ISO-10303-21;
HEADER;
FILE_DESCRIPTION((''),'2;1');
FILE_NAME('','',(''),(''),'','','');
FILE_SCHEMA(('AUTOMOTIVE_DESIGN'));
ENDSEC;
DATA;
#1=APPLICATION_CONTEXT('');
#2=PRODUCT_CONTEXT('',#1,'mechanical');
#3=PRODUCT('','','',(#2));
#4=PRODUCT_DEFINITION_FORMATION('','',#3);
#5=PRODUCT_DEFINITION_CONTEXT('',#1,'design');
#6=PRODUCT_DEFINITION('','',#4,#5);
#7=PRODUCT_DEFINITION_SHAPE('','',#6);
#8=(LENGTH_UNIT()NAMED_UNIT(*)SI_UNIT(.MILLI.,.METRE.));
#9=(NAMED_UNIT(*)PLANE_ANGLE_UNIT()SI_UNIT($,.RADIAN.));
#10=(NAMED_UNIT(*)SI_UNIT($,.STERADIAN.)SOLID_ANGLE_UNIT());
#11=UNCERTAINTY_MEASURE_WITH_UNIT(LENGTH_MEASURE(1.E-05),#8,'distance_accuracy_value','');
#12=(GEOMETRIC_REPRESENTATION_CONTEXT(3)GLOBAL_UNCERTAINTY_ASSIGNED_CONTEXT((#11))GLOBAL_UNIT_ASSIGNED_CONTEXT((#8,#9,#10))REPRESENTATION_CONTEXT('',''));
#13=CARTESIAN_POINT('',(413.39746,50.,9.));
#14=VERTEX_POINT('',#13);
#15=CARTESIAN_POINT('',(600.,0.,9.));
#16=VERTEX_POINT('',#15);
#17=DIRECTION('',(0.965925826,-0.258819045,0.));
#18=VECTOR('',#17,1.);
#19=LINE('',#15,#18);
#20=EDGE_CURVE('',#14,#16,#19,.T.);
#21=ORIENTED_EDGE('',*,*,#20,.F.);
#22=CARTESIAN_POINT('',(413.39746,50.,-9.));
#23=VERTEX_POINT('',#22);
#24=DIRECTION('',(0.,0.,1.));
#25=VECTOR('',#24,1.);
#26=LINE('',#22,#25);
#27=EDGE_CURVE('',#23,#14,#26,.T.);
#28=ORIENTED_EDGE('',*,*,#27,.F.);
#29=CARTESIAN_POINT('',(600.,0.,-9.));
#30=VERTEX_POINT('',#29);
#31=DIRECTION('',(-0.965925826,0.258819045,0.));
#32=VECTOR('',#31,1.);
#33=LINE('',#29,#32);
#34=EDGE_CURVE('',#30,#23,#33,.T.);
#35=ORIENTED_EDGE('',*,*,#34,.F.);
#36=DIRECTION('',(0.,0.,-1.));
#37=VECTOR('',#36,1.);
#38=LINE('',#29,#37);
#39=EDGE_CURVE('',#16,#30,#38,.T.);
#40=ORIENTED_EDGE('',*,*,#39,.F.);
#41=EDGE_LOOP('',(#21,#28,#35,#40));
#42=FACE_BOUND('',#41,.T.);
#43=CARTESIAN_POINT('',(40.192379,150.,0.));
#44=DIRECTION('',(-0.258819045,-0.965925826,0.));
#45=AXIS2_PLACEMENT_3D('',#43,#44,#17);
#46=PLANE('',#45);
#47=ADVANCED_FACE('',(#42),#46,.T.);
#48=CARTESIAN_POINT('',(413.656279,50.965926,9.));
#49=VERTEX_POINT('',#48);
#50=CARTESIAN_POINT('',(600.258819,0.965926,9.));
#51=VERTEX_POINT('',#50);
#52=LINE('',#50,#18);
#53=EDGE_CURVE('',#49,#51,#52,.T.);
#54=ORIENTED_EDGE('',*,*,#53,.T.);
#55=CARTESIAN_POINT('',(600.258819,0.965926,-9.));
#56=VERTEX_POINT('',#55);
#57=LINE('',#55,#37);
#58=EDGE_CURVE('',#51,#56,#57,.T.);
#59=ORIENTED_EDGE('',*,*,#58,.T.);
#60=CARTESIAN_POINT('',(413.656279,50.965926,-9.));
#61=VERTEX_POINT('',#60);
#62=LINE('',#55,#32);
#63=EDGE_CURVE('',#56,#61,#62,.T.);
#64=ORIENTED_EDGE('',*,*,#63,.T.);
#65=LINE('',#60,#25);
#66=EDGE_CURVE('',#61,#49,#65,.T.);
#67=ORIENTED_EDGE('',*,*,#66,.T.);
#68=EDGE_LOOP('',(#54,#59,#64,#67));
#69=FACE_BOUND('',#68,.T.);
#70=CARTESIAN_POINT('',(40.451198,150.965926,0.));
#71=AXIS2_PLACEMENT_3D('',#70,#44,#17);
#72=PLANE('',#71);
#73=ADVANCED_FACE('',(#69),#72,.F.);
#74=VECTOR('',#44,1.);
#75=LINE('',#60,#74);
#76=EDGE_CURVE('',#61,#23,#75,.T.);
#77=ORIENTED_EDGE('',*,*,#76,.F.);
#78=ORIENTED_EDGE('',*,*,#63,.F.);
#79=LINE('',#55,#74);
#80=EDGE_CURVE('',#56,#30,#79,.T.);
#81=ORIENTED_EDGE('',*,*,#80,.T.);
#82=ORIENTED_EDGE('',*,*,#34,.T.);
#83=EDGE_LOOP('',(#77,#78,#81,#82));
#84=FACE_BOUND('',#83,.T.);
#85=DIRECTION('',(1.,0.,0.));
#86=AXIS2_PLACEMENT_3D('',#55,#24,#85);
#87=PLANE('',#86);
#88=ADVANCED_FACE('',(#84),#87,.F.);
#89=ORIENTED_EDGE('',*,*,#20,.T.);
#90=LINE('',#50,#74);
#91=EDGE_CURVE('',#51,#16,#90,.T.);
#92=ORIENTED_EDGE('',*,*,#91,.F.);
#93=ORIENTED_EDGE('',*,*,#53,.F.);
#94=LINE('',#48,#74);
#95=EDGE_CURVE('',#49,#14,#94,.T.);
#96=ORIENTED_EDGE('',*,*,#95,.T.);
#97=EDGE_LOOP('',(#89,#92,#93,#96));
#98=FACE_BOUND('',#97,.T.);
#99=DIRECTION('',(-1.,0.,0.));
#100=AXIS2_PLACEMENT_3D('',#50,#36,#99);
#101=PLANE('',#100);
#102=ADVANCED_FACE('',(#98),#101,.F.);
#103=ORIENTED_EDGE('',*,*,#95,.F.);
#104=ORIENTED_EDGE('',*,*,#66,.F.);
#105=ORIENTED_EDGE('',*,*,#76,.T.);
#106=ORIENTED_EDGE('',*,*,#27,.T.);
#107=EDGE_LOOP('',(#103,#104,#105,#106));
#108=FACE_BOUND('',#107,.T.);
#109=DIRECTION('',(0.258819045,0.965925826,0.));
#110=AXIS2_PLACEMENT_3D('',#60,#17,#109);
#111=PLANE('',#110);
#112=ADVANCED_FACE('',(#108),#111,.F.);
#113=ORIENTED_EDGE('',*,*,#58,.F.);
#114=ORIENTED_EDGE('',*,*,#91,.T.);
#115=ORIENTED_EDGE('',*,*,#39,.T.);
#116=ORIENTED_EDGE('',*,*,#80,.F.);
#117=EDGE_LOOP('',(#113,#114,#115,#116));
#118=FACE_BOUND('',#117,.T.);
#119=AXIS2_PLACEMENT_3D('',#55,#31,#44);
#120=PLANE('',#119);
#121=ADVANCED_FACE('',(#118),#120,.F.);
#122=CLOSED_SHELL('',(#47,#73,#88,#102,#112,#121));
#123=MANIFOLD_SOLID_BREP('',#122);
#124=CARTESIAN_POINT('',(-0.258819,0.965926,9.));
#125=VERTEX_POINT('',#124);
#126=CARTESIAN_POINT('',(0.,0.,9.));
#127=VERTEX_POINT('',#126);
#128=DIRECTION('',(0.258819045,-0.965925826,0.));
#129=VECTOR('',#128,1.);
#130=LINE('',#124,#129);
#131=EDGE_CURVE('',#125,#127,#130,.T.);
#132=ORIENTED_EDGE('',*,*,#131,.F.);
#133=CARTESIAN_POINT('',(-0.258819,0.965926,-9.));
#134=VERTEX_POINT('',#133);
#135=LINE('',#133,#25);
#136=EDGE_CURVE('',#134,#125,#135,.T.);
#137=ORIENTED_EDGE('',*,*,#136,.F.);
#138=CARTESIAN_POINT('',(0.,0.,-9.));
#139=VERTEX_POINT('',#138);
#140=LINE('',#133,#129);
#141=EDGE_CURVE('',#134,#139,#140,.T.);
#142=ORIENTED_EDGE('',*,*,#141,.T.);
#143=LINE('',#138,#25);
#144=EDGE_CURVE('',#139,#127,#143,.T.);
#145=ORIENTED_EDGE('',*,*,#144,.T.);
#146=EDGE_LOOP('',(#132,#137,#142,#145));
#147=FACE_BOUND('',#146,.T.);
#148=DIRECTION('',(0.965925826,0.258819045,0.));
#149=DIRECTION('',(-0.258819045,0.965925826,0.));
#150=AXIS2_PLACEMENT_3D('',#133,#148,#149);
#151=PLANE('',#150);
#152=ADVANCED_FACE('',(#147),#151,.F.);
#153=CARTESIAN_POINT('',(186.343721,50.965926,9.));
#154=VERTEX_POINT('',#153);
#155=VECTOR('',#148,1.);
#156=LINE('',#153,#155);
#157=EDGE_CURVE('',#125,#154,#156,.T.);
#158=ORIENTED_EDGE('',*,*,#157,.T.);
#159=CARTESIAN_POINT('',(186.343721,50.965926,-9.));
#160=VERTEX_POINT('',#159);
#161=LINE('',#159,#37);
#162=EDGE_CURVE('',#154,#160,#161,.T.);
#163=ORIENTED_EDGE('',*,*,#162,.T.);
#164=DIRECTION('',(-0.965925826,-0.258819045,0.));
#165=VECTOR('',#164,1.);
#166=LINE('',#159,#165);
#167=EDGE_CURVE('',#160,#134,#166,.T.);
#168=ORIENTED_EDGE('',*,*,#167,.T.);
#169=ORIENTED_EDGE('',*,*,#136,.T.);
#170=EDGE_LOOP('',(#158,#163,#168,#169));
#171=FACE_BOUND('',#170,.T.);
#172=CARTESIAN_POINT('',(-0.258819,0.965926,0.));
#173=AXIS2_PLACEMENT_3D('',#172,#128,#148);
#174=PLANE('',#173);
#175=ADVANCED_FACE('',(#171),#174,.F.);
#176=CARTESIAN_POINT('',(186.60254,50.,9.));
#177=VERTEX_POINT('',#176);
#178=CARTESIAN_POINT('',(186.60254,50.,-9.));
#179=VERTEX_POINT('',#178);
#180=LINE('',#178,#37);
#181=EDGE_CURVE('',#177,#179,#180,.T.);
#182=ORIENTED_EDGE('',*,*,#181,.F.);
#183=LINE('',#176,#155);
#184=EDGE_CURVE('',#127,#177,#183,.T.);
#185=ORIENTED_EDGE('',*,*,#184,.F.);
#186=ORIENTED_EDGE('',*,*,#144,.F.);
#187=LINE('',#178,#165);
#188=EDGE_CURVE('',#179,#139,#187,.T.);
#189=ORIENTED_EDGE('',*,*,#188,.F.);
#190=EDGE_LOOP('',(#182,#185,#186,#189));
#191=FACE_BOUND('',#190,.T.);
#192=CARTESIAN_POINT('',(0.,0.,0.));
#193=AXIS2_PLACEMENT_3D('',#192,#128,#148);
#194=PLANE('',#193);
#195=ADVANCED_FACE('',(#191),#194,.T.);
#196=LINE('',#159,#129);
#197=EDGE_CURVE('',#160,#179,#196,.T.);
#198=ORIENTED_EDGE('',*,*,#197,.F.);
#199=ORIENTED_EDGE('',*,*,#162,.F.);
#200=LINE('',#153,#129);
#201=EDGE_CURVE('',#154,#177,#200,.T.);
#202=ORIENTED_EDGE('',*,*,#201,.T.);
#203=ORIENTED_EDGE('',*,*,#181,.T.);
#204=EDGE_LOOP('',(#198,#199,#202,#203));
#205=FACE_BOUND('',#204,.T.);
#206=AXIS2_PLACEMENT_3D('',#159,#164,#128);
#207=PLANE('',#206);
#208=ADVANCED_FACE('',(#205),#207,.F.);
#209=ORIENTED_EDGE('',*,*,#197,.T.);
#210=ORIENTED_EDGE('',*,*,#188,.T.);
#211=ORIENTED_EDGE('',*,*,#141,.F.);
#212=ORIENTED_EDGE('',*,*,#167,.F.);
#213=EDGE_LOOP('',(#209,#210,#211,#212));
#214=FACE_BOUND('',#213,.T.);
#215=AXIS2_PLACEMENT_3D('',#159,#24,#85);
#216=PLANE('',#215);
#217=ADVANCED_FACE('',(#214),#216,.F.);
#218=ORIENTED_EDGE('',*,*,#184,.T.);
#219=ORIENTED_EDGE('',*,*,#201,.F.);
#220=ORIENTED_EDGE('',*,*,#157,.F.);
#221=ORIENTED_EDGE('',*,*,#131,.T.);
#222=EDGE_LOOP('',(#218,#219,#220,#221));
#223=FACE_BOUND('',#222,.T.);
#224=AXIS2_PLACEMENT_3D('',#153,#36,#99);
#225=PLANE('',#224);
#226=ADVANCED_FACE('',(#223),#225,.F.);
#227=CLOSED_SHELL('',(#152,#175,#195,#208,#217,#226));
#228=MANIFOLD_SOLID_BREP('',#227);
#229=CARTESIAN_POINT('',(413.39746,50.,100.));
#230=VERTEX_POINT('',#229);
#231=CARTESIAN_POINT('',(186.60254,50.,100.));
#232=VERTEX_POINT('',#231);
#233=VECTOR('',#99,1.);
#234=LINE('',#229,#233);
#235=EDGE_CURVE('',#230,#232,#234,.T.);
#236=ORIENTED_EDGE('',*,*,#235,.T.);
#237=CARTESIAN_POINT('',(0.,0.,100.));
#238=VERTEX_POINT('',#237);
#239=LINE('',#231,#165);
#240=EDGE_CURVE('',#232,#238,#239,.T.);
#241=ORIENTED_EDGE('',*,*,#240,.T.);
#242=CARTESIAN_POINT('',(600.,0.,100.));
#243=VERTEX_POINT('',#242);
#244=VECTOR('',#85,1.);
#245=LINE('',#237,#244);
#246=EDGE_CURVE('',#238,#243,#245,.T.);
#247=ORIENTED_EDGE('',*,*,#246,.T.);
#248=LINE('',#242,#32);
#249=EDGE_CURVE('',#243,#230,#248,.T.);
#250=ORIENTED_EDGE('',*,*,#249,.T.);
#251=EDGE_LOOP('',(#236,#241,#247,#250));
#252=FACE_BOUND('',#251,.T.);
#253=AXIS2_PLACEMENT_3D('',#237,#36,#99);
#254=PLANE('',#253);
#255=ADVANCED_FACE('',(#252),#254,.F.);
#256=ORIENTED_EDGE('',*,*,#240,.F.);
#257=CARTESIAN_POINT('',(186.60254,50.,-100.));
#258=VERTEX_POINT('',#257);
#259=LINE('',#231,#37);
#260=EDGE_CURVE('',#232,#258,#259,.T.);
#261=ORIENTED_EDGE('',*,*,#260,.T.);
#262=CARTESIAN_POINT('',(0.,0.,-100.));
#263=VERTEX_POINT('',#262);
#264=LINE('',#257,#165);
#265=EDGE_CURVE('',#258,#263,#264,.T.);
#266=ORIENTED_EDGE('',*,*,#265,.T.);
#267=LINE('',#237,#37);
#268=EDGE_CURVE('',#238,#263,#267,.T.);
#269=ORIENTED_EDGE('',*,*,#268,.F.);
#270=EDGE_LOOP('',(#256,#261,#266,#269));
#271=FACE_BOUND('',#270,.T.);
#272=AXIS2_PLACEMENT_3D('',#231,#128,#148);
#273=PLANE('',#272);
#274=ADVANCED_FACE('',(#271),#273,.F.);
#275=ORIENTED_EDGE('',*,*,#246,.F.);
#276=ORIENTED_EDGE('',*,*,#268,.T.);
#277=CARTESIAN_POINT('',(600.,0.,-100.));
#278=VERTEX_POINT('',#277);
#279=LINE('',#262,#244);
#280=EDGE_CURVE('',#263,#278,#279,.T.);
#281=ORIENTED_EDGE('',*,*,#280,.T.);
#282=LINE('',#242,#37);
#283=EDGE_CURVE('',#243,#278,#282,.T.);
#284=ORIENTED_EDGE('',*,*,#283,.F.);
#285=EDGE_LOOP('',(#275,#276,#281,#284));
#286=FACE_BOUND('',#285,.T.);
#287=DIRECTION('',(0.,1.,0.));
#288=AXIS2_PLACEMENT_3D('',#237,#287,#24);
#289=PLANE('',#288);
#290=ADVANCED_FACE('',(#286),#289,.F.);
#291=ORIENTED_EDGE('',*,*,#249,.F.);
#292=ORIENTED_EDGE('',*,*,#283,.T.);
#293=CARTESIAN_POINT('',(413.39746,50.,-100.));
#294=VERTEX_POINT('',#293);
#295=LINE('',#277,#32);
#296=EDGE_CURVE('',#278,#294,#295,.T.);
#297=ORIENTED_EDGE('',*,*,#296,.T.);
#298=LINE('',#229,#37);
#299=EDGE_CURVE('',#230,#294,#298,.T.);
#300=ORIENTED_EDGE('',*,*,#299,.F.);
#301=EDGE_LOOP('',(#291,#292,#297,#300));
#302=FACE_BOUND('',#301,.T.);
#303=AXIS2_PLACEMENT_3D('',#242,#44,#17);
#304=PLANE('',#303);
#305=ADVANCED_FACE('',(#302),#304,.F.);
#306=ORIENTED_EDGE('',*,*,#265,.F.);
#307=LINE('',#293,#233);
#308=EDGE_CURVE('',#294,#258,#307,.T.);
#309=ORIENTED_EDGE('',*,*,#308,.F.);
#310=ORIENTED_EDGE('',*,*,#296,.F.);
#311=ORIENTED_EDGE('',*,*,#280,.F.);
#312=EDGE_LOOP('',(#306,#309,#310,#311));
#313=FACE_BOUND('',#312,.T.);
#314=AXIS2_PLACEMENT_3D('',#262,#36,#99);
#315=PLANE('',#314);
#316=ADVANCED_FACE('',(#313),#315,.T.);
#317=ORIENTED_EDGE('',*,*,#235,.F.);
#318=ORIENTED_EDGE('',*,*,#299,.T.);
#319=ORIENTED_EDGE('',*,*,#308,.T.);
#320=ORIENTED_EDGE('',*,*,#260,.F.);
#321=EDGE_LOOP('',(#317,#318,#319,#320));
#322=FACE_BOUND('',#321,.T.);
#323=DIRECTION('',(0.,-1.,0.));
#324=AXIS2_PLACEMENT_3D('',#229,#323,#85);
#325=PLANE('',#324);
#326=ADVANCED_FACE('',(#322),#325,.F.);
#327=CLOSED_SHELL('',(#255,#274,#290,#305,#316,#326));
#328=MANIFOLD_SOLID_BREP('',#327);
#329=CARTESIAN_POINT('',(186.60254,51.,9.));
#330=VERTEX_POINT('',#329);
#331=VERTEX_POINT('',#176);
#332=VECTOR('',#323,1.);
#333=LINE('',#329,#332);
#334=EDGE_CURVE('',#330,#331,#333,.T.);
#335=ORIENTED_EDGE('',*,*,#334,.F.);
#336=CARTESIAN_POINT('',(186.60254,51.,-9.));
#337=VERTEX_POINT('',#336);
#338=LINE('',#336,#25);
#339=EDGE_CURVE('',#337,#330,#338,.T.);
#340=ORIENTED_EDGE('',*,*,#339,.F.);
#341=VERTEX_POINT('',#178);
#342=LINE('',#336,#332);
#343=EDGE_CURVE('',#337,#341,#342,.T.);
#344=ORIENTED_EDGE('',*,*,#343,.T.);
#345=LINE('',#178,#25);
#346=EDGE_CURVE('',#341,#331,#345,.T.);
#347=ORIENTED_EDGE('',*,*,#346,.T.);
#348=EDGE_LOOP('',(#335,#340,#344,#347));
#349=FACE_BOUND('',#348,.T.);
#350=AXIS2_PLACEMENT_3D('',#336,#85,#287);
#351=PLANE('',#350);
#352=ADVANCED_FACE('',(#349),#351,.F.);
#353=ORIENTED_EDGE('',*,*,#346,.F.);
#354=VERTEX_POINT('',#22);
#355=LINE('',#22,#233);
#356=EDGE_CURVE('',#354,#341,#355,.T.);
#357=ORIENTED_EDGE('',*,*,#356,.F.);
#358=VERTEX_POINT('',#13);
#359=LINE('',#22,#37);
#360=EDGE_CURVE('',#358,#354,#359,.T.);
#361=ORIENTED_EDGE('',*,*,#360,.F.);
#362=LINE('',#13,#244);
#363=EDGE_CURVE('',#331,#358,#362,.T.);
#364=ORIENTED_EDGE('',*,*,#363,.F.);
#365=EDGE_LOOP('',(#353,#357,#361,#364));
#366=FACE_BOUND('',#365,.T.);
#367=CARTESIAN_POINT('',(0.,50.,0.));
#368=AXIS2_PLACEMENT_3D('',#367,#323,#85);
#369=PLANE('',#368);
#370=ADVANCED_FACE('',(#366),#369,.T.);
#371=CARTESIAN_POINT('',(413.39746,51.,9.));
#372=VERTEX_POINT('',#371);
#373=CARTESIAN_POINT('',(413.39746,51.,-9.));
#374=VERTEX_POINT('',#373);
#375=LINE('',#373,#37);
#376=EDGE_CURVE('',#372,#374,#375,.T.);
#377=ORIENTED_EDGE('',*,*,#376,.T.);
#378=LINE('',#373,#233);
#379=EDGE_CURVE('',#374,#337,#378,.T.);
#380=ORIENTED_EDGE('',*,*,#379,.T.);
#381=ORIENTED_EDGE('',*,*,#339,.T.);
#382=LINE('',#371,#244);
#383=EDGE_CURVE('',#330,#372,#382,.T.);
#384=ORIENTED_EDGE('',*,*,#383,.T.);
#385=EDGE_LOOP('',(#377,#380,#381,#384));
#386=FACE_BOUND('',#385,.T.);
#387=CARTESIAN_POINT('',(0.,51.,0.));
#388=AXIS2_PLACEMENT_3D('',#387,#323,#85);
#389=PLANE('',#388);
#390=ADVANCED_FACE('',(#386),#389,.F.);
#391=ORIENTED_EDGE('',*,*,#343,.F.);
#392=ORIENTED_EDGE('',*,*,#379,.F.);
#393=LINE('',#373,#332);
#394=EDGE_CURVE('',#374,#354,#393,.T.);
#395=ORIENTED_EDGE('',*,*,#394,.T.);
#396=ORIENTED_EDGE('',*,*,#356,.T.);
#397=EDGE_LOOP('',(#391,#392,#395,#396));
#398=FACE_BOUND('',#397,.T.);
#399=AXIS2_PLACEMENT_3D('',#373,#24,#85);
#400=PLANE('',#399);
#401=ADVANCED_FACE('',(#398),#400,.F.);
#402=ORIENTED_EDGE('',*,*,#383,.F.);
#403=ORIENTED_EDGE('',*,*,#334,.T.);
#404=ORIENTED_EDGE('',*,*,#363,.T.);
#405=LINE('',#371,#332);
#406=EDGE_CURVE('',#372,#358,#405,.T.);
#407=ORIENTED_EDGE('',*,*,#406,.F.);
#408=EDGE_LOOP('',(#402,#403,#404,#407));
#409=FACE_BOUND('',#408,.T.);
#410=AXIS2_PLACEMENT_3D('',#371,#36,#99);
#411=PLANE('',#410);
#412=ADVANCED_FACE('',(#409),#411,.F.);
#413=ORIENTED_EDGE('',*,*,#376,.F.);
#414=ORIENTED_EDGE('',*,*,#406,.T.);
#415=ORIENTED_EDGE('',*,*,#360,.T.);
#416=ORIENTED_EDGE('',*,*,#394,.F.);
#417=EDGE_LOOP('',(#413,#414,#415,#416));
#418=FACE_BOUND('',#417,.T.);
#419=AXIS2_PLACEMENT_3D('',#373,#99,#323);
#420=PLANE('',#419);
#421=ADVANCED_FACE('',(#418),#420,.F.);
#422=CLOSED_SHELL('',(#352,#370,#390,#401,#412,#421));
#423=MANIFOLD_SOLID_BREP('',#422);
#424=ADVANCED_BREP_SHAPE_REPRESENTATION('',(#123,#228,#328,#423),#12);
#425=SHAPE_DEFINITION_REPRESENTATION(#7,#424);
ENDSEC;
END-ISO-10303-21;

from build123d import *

# Parameters (mm, degrees)
EXTRUDE_1_DEPTH = 100
SKETCH_3_W      = 193.185165257
SKETCH_3_H      = 18
EXTRUDE_2_DEPTH = 1
SKETCH_4_W      = 226.794919244
SKETCH_4_H      = 18
EXTRUDE_3_DEPTH = 1
SKETCH_5_W      = 193.185165258
SKETCH_5_H      = 18
EXTRUDE_4_DEPTH = 1


with BuildPart() as part:
    # 草圖1 → 填料-伸長1 (new body, symmetric)
    with BuildSketch(Plane.XY):
        Polygon((0, 0), (600, 0), (413.397459622, 50), (186.602540378, 50), align=None)
    extrude(amount=EXTRUDE_1_DEPTH, both=True)


with BuildPart() as body_2:
    # 草圖3 → 填料-伸長2 (new body)
    with BuildSketch(Plane(origin=(40.192378865, 150, 0), x_dir=(0.965925826, -0.258819045, 0), z_dir=(0.258819045, 0.965925826, 0))):
        with Locations((482.962913145, 0)):
            Rectangle(SKETCH_3_W, SKETCH_3_H)
    extrude(amount=EXTRUDE_2_DEPTH)


with BuildPart() as body_3:
    # 草圖4 → 填料-伸長3 (new body)
    with BuildSketch(Plane(origin=(0, 50, 0), x_dir=(1, 0, 0), z_dir=(0, 1, 0))):
        with Locations((300, 0)):
            Rectangle(SKETCH_4_W, SKETCH_4_H)
    extrude(amount=EXTRUDE_3_DEPTH)


with BuildPart() as body_4:
    # 草圖5 → 填料-伸長4 (new body)
    with BuildSketch(Plane(origin=(0, 0, 0), x_dir=(0.965925826, 0.258819045, 0), z_dir=(-0.258819045, 0.965925826, 0))):
        with Locations((96.592582629, 0)):
            Rectangle(SKETCH_5_W, SKETCH_5_H)
    extrude(amount=EXTRUDE_4_DEPTH)


solid = Compound([part.part, body_2.part, body_3.part, body_4.part])
